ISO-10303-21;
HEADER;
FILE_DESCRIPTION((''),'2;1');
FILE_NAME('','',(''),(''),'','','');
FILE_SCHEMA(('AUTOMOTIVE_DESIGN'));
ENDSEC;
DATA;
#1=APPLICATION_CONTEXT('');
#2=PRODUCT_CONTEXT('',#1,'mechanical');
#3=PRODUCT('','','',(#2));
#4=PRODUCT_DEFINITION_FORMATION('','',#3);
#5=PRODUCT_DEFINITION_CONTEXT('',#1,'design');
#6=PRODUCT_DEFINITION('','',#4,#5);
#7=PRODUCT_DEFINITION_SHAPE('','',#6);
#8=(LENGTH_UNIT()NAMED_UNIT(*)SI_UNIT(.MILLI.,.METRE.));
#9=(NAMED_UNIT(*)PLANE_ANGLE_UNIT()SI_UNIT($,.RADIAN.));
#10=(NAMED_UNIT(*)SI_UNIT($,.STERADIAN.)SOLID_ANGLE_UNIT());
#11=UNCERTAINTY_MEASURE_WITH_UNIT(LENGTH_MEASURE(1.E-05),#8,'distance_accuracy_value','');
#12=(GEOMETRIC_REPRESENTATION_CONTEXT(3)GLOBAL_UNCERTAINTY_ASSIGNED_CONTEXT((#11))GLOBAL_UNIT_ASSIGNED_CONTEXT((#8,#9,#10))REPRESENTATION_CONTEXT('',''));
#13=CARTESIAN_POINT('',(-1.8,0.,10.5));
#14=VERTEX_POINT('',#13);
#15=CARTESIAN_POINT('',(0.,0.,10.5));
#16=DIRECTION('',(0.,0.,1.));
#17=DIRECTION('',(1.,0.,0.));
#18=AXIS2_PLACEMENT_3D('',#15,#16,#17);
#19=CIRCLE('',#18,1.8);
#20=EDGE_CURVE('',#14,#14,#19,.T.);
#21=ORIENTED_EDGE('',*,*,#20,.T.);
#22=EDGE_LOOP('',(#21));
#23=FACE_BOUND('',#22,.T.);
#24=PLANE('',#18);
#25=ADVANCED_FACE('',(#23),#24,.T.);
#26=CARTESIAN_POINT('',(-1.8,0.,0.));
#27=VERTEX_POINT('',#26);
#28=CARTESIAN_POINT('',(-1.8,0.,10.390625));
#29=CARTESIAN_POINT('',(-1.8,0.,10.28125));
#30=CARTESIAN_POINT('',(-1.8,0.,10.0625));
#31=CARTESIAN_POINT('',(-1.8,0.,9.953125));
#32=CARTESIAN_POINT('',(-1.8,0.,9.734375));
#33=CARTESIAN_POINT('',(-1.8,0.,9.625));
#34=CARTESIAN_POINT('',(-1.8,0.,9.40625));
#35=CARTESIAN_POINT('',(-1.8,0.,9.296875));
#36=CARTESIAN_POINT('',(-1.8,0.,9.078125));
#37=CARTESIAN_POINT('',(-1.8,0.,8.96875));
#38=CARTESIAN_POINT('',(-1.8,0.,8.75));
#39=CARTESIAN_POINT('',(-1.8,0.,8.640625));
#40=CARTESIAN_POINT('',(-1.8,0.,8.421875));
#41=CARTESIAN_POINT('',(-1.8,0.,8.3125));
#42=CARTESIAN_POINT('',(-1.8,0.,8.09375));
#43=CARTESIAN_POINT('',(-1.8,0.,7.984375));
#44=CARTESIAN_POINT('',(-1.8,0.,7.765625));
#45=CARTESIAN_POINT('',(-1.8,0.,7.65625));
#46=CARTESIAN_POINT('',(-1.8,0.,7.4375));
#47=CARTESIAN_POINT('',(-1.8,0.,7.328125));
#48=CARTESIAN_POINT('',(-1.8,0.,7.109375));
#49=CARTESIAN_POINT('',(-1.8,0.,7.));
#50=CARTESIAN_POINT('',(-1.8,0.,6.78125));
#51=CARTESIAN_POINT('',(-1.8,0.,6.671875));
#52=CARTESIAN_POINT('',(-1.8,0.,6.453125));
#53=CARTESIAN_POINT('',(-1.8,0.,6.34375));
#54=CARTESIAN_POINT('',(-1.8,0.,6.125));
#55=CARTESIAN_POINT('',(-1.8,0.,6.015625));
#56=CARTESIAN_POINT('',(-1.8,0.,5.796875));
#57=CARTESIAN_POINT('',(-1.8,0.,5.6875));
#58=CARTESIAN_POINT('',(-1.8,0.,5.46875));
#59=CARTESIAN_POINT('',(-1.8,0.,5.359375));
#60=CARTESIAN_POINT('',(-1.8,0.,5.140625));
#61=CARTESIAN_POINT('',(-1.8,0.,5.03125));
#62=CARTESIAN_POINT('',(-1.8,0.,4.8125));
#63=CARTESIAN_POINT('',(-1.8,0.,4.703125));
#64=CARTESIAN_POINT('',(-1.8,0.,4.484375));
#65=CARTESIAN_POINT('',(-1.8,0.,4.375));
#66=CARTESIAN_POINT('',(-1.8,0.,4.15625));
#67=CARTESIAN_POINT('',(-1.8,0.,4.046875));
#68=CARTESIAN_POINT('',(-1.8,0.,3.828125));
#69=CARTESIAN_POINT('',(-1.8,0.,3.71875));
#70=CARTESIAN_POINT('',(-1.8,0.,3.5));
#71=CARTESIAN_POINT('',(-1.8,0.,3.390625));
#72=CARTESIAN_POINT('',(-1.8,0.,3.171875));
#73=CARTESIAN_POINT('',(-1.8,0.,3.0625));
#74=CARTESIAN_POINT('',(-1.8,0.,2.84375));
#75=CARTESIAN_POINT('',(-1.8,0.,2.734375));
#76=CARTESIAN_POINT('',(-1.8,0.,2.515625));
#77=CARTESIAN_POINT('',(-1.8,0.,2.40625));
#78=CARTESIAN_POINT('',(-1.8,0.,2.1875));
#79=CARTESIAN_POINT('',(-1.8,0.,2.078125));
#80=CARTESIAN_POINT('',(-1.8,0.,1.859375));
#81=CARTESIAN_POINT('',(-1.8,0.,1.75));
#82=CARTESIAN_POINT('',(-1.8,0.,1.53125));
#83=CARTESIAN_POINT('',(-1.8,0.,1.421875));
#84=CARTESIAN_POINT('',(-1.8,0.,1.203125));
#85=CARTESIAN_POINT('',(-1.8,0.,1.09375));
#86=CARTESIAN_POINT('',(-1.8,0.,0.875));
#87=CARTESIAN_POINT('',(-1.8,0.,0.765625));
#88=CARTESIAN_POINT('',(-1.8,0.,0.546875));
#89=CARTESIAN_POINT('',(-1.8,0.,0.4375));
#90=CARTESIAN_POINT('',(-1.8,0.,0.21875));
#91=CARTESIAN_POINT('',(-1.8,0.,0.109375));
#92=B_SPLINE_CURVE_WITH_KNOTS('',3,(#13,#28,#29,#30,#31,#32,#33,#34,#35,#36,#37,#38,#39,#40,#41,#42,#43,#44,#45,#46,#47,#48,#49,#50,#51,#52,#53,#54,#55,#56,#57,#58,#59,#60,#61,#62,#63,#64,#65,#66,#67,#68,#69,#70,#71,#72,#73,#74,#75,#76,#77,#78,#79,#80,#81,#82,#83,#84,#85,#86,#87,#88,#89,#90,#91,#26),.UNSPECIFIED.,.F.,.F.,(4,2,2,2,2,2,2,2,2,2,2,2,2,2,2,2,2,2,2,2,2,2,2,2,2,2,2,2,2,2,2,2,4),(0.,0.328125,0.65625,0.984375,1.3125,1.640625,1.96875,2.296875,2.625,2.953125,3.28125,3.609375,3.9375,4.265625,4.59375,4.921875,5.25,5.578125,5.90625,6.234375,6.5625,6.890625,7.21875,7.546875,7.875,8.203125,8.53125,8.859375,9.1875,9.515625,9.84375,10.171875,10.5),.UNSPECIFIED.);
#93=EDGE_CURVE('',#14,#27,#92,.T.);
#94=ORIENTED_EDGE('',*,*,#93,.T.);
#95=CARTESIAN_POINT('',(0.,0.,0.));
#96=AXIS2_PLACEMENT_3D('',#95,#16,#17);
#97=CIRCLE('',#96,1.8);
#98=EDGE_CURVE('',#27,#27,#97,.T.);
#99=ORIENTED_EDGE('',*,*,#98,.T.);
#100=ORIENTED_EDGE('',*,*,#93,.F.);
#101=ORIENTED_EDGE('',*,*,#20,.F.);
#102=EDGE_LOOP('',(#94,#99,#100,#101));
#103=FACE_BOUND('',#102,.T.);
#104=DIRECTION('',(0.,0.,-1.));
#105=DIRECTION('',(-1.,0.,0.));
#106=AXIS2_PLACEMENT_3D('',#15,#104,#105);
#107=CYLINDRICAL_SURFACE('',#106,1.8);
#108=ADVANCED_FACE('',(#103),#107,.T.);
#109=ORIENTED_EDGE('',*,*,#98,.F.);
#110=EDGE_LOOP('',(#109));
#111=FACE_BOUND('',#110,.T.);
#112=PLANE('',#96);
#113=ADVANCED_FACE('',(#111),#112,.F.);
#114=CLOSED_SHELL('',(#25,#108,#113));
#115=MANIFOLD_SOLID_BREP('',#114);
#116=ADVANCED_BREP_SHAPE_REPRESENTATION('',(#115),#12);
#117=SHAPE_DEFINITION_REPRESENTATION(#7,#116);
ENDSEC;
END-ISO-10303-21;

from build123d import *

# Parameters (mm, degrees)
SKETCH_1_R      = 1.8
EXTRUDE_1_DEPTH = 10.5


with BuildPart() as part:
    # Эскиз1 → Бобышка-Вытянуть1 (new body)
    with BuildSketch(Plane.XY):
        Circle(SKETCH_1_R)
    extrude(amount=EXTRUDE_1_DEPTH)


solid = part.part
